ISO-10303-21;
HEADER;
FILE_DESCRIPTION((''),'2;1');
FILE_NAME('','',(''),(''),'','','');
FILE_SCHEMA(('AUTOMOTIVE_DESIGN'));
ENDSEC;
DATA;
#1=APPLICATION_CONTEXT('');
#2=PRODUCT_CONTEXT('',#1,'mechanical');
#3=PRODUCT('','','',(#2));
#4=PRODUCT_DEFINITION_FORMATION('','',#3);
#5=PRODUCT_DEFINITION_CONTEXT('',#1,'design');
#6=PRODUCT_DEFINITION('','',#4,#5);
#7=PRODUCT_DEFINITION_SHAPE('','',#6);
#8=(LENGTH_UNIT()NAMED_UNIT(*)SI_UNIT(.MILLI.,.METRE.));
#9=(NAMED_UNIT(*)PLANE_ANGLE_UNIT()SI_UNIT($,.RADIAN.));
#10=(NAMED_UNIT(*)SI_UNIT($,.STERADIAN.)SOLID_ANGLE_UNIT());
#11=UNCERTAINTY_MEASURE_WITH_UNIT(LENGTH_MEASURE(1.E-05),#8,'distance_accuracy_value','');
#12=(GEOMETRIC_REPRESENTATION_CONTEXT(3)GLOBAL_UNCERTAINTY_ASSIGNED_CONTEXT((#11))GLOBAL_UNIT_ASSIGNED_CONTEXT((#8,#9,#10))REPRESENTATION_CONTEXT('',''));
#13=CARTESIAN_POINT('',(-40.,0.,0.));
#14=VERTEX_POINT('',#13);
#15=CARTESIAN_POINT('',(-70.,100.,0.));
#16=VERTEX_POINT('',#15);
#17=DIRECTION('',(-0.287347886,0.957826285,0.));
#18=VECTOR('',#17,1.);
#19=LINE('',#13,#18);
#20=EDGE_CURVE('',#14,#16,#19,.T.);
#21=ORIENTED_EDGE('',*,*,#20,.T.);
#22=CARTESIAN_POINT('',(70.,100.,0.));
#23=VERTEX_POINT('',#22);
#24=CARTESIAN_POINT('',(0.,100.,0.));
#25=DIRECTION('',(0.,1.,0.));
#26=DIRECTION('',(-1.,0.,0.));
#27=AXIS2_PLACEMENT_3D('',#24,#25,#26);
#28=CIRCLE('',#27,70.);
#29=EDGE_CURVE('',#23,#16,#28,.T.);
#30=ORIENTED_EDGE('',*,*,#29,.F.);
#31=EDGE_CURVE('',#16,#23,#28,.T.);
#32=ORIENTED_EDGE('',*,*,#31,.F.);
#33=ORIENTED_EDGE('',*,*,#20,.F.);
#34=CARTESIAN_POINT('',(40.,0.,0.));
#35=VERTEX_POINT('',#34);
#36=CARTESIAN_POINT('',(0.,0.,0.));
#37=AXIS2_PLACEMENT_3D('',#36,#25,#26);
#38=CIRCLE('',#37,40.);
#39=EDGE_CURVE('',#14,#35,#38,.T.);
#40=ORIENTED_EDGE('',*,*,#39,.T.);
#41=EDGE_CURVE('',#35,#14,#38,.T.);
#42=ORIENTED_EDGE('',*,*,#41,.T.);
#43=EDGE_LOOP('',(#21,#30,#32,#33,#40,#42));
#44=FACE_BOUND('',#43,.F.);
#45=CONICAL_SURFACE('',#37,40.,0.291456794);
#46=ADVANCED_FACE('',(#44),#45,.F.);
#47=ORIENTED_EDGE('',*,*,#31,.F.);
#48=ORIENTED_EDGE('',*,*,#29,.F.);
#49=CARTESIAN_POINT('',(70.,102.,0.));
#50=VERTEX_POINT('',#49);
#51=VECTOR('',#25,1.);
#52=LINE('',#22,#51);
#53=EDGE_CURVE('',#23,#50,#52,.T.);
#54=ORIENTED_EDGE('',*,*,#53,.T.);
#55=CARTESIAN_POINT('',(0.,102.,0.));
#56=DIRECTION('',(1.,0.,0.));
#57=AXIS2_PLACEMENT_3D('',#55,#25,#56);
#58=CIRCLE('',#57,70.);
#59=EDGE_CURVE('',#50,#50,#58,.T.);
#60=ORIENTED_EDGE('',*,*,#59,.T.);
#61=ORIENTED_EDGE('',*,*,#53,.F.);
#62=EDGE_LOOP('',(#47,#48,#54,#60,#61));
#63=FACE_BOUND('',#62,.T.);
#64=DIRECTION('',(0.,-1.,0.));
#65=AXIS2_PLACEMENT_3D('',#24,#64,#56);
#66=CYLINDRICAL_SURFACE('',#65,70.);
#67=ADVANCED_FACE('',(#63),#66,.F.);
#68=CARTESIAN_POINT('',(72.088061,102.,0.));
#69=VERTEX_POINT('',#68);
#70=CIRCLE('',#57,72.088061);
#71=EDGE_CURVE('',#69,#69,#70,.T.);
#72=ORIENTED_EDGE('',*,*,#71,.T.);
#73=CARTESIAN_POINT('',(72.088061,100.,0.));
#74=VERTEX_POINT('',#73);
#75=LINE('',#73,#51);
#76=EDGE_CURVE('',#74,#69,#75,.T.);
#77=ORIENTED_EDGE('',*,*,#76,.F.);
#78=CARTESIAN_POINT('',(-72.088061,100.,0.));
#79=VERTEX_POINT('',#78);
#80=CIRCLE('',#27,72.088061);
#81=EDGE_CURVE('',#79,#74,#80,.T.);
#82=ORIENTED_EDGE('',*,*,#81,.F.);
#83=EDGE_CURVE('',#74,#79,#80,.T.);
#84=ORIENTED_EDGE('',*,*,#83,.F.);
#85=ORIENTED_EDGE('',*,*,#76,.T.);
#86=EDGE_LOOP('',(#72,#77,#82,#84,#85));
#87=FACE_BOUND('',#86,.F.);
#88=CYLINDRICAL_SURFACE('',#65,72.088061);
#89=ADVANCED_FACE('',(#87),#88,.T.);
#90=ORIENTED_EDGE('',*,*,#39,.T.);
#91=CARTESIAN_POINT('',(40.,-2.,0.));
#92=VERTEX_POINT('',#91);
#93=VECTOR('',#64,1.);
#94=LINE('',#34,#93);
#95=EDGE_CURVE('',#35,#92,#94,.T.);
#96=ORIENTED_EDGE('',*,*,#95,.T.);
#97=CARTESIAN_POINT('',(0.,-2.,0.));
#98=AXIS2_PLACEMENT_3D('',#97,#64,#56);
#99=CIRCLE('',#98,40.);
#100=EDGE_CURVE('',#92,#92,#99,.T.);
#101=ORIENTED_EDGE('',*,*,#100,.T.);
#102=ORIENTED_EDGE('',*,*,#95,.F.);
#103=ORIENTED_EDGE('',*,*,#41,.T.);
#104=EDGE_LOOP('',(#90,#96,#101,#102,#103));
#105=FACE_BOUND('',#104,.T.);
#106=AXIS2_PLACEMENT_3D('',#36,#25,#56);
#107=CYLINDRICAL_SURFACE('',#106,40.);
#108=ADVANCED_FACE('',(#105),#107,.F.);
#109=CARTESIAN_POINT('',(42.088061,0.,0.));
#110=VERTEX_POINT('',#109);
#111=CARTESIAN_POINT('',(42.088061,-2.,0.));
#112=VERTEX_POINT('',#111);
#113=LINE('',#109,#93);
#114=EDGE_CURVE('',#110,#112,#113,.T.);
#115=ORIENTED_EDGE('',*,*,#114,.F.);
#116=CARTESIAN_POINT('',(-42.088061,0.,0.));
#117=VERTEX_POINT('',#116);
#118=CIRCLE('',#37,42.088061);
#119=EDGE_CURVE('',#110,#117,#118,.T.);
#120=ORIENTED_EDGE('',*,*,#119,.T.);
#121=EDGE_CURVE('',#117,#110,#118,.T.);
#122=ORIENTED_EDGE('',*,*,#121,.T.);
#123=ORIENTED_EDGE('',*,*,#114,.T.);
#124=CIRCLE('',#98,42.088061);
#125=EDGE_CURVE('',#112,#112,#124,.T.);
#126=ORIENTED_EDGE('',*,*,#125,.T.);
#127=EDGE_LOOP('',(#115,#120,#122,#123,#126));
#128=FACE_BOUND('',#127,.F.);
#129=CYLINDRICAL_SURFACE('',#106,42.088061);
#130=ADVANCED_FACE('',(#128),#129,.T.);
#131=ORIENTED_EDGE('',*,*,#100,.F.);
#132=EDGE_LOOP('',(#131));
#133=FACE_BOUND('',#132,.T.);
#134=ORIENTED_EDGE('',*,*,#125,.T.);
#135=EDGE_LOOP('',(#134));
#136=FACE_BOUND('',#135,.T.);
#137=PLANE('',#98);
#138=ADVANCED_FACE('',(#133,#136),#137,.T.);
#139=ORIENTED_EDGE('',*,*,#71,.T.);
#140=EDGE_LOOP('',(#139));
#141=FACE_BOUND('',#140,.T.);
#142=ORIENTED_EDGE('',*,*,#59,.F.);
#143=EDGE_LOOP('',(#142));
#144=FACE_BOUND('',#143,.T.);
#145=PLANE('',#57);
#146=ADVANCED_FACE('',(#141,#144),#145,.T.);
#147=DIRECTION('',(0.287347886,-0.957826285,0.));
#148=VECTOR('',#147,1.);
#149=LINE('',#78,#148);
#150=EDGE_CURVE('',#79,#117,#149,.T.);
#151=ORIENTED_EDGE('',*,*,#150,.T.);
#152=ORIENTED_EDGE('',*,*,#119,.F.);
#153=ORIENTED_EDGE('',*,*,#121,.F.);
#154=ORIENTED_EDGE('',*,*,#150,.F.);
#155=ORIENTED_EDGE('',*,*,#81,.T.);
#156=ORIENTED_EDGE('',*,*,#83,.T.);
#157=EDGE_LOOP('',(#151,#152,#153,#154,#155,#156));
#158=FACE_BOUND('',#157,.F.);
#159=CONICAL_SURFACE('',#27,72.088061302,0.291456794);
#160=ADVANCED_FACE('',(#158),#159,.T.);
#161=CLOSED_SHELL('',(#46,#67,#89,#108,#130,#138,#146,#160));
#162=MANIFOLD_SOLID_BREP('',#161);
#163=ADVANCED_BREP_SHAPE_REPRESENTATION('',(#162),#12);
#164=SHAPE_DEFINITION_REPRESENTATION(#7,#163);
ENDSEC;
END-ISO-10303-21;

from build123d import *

# Parameters (mm, degrees)
SKETCH2_R           = 42.088061302
SKETCH2_R_2         = 40
BOSS_EXTRUDE1_DEPTH = 2
SKETCH3_R           = 72.088061302
SKETCH3_R_2         = 70
BOSS_EXTRUDE2_DEPTH = 2


with BuildPart() as part:
    # Sketch1 → Revolve1 (revolve)
    with BuildSketch(Plane.XY):
        Polygon((-40, 0), (-70, 100), (-72.088061302, 100), (-42.088061302, 0), align=None)
    revolve(axis=Axis((0, 0, 0), (0, 1, 0)))

    # Sketch2 → Boss-Extrude1 (add)
    with BuildSketch(Plane.XZ):
        Circle(SKETCH2_R)
        Circle(SKETCH2_R_2, mode=Mode.SUBTRACT)
    extrude(amount=BOSS_EXTRUDE1_DEPTH)

    # Sketch3 → Boss-Extrude2 (add)
    with BuildSketch(Plane(origin=(0, 100, 0), x_dir=(1, 0, 0), z_dir=(0, 1, 0))):
        Circle(SKETCH3_R)
        Circle(SKETCH3_R_2, mode=Mode.SUBTRACT)
    extrude(amount=BOSS_EXTRUDE2_DEPTH)


solid = part.part
